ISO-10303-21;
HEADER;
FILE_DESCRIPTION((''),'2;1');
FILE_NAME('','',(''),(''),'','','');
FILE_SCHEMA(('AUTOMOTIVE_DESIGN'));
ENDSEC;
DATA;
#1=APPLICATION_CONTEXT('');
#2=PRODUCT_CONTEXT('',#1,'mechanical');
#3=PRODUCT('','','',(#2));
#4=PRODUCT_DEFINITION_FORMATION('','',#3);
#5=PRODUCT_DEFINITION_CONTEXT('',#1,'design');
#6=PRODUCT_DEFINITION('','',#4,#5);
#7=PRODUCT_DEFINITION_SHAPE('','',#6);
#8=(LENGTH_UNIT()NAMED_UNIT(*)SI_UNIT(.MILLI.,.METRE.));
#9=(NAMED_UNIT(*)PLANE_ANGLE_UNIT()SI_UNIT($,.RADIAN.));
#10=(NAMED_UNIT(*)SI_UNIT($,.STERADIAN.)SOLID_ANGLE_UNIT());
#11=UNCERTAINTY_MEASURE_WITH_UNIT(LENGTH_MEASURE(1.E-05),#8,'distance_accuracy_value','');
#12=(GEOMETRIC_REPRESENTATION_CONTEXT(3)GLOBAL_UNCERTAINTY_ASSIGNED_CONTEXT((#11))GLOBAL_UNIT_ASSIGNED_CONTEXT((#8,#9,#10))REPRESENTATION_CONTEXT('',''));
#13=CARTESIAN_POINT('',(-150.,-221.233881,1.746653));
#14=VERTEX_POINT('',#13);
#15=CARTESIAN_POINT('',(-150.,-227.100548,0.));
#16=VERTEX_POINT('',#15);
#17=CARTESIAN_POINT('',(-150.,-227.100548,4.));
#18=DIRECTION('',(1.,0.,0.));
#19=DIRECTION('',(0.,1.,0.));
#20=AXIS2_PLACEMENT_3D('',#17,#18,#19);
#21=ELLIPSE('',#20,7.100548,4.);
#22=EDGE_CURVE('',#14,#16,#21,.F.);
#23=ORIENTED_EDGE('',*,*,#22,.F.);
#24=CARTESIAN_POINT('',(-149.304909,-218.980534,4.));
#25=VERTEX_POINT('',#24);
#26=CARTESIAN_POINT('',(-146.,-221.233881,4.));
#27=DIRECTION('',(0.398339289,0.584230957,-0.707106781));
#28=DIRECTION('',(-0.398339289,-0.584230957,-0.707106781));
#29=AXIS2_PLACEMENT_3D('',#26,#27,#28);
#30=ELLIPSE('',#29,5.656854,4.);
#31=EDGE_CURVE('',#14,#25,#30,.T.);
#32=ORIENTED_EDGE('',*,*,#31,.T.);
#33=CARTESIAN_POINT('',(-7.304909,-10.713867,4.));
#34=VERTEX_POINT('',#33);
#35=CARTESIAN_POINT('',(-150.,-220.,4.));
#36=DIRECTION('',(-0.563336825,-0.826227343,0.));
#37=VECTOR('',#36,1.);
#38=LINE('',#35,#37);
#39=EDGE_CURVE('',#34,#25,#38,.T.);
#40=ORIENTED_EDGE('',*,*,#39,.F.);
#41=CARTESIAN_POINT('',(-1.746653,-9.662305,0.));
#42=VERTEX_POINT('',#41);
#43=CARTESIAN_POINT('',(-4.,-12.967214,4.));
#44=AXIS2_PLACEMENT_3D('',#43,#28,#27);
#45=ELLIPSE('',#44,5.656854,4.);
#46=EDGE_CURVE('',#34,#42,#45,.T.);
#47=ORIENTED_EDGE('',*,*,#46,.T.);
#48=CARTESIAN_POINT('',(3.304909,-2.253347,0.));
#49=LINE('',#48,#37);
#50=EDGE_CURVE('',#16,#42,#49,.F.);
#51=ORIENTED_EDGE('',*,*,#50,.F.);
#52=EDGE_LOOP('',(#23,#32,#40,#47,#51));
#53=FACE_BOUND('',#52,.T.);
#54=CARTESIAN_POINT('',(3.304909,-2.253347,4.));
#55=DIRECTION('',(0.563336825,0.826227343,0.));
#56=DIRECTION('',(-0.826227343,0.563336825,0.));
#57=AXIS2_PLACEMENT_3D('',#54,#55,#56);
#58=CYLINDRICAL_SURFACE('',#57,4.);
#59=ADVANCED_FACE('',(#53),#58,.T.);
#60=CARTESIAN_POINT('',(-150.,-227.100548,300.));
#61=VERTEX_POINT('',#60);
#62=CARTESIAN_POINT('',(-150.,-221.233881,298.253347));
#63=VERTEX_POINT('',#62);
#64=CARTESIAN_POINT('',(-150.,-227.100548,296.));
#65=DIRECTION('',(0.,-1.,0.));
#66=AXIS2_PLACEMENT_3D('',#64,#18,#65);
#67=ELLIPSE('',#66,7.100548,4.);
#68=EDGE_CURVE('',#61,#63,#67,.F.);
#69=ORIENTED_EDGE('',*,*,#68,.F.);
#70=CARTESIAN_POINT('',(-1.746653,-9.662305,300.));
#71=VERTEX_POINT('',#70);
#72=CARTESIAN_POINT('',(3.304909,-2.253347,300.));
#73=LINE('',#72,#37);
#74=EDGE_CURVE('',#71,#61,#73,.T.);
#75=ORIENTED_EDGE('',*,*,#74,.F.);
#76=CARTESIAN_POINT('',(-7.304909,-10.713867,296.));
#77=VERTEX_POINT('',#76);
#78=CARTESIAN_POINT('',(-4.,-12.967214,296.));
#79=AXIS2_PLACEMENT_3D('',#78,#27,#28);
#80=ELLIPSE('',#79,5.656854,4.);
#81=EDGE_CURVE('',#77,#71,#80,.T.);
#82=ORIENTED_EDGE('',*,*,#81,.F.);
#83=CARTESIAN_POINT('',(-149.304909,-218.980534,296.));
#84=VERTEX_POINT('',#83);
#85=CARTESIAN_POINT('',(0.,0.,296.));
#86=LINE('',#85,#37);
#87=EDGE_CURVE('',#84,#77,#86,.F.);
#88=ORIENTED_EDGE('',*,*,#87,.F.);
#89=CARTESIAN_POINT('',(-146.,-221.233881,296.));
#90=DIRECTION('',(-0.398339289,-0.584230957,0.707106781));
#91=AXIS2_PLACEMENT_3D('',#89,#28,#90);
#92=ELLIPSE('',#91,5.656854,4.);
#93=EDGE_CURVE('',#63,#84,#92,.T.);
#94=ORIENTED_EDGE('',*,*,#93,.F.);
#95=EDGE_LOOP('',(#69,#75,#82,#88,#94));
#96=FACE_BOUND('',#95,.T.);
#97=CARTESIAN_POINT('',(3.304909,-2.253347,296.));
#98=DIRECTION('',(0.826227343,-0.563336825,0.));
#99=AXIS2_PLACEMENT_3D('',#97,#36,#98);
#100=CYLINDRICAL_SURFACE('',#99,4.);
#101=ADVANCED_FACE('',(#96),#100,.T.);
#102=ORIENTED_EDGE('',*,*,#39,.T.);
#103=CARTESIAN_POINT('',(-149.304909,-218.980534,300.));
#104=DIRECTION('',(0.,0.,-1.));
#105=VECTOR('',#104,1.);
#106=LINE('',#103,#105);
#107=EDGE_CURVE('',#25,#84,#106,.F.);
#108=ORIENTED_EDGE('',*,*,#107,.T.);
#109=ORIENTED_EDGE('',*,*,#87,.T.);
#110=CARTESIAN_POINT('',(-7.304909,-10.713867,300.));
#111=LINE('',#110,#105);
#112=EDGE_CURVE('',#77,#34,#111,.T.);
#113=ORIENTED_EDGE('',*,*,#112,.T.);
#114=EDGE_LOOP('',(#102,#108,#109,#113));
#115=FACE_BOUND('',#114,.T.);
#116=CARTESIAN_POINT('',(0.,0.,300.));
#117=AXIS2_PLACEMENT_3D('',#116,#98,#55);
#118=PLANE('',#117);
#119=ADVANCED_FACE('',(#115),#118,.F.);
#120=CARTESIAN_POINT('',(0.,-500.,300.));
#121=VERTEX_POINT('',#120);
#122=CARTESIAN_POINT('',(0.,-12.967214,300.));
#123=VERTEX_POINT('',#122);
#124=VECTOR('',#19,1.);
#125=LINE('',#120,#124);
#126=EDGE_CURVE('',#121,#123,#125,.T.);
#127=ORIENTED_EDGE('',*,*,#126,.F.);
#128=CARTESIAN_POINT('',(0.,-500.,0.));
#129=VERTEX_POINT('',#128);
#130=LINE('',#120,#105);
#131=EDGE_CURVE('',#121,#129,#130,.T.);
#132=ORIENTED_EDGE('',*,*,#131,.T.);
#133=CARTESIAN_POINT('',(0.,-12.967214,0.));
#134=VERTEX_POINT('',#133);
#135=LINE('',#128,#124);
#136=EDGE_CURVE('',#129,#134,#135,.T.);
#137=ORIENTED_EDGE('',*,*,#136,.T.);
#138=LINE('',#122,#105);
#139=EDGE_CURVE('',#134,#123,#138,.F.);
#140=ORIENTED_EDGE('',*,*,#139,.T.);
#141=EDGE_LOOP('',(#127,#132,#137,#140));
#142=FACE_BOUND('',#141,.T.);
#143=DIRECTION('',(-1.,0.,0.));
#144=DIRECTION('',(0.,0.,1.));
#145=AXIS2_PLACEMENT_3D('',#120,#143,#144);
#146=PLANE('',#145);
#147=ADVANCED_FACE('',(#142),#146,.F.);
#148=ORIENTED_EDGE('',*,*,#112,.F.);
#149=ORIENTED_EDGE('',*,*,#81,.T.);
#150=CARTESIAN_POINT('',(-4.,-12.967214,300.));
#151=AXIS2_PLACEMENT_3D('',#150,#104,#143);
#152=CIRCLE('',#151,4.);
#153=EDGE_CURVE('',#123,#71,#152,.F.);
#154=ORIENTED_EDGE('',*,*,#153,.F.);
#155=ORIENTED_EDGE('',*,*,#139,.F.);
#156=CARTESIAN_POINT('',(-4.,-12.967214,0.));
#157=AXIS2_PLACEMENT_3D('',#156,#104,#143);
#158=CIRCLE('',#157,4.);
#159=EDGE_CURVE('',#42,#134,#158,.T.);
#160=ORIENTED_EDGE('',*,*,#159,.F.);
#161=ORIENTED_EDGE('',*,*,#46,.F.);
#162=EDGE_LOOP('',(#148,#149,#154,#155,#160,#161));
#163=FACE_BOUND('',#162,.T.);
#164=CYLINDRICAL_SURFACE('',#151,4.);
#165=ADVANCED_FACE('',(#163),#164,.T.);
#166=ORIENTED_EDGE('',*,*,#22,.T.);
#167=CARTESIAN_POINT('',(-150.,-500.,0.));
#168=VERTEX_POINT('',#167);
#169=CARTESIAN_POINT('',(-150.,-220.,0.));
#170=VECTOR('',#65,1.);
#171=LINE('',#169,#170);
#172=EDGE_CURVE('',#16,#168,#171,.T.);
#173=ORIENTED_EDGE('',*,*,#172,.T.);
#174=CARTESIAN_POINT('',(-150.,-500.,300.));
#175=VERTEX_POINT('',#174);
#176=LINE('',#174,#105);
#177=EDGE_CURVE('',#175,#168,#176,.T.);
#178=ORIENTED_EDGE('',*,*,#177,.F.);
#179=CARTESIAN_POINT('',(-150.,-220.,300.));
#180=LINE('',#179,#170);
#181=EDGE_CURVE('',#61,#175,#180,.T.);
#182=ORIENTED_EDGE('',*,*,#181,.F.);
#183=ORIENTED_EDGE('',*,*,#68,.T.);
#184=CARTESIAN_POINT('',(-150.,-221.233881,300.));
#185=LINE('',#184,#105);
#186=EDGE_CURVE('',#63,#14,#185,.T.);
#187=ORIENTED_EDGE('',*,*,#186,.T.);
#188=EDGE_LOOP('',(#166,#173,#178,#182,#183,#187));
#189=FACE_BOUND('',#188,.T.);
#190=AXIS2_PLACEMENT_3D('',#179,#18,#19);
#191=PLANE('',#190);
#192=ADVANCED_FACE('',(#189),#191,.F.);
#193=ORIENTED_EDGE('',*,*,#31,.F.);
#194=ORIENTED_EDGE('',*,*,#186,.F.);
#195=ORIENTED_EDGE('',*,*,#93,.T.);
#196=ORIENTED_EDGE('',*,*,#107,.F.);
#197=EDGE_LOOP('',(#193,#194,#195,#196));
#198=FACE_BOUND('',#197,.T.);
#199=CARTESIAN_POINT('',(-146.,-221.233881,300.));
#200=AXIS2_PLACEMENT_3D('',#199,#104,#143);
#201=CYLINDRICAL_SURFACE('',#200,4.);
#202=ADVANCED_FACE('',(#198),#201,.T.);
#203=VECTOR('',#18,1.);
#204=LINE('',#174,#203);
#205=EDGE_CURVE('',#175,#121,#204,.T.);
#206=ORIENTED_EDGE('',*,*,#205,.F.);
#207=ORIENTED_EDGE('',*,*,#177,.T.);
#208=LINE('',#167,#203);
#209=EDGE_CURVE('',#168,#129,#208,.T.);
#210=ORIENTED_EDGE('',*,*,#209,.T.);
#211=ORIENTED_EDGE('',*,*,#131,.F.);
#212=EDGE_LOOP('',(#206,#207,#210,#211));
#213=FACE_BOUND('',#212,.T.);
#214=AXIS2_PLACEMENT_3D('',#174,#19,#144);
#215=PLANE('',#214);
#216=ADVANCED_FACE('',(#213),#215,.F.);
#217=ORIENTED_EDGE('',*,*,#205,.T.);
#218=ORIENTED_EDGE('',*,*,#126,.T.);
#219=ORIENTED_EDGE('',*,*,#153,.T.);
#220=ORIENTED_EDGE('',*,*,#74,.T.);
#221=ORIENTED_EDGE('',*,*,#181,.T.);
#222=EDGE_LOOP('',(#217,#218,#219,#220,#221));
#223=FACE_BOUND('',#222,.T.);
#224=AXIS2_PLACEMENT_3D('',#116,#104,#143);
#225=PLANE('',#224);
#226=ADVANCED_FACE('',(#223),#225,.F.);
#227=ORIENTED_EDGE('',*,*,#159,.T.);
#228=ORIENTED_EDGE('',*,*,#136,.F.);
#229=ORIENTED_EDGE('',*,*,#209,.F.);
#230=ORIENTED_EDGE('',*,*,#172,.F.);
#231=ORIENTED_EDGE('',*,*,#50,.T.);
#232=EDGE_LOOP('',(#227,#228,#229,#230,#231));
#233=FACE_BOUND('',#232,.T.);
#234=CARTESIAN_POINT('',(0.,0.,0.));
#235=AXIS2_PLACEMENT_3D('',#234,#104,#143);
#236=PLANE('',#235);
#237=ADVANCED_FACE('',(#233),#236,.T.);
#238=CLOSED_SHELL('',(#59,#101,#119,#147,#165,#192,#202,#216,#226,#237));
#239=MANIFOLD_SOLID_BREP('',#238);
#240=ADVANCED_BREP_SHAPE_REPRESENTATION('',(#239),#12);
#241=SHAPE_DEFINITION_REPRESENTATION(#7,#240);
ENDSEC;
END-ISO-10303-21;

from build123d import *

# Parameters (mm, degrees)
EXTRUDE_1_DEPTH = 300
FILLET_1_R      = 4


with BuildPart() as part:
    # 草圖1 → 填料-伸長1 (new body)
    with BuildSketch(Plane.XY):
        Polygon((0, 0), (-150, -220), (-150, -500), (0, -500), align=None)
    extrude(amount=EXTRUDE_1_DEPTH)

    # 圓角1
    fillet_1_edges = [part.edges().sort_by_distance(p)[0] for p in [
        (-75, -110, 0),
        (-75, -110, 300),
        (-150, -220, 150),
        (0, 0, 150),
    ]]
    fillet(fillet_1_edges, radius=FILLET_1_R)


solid = part.part
